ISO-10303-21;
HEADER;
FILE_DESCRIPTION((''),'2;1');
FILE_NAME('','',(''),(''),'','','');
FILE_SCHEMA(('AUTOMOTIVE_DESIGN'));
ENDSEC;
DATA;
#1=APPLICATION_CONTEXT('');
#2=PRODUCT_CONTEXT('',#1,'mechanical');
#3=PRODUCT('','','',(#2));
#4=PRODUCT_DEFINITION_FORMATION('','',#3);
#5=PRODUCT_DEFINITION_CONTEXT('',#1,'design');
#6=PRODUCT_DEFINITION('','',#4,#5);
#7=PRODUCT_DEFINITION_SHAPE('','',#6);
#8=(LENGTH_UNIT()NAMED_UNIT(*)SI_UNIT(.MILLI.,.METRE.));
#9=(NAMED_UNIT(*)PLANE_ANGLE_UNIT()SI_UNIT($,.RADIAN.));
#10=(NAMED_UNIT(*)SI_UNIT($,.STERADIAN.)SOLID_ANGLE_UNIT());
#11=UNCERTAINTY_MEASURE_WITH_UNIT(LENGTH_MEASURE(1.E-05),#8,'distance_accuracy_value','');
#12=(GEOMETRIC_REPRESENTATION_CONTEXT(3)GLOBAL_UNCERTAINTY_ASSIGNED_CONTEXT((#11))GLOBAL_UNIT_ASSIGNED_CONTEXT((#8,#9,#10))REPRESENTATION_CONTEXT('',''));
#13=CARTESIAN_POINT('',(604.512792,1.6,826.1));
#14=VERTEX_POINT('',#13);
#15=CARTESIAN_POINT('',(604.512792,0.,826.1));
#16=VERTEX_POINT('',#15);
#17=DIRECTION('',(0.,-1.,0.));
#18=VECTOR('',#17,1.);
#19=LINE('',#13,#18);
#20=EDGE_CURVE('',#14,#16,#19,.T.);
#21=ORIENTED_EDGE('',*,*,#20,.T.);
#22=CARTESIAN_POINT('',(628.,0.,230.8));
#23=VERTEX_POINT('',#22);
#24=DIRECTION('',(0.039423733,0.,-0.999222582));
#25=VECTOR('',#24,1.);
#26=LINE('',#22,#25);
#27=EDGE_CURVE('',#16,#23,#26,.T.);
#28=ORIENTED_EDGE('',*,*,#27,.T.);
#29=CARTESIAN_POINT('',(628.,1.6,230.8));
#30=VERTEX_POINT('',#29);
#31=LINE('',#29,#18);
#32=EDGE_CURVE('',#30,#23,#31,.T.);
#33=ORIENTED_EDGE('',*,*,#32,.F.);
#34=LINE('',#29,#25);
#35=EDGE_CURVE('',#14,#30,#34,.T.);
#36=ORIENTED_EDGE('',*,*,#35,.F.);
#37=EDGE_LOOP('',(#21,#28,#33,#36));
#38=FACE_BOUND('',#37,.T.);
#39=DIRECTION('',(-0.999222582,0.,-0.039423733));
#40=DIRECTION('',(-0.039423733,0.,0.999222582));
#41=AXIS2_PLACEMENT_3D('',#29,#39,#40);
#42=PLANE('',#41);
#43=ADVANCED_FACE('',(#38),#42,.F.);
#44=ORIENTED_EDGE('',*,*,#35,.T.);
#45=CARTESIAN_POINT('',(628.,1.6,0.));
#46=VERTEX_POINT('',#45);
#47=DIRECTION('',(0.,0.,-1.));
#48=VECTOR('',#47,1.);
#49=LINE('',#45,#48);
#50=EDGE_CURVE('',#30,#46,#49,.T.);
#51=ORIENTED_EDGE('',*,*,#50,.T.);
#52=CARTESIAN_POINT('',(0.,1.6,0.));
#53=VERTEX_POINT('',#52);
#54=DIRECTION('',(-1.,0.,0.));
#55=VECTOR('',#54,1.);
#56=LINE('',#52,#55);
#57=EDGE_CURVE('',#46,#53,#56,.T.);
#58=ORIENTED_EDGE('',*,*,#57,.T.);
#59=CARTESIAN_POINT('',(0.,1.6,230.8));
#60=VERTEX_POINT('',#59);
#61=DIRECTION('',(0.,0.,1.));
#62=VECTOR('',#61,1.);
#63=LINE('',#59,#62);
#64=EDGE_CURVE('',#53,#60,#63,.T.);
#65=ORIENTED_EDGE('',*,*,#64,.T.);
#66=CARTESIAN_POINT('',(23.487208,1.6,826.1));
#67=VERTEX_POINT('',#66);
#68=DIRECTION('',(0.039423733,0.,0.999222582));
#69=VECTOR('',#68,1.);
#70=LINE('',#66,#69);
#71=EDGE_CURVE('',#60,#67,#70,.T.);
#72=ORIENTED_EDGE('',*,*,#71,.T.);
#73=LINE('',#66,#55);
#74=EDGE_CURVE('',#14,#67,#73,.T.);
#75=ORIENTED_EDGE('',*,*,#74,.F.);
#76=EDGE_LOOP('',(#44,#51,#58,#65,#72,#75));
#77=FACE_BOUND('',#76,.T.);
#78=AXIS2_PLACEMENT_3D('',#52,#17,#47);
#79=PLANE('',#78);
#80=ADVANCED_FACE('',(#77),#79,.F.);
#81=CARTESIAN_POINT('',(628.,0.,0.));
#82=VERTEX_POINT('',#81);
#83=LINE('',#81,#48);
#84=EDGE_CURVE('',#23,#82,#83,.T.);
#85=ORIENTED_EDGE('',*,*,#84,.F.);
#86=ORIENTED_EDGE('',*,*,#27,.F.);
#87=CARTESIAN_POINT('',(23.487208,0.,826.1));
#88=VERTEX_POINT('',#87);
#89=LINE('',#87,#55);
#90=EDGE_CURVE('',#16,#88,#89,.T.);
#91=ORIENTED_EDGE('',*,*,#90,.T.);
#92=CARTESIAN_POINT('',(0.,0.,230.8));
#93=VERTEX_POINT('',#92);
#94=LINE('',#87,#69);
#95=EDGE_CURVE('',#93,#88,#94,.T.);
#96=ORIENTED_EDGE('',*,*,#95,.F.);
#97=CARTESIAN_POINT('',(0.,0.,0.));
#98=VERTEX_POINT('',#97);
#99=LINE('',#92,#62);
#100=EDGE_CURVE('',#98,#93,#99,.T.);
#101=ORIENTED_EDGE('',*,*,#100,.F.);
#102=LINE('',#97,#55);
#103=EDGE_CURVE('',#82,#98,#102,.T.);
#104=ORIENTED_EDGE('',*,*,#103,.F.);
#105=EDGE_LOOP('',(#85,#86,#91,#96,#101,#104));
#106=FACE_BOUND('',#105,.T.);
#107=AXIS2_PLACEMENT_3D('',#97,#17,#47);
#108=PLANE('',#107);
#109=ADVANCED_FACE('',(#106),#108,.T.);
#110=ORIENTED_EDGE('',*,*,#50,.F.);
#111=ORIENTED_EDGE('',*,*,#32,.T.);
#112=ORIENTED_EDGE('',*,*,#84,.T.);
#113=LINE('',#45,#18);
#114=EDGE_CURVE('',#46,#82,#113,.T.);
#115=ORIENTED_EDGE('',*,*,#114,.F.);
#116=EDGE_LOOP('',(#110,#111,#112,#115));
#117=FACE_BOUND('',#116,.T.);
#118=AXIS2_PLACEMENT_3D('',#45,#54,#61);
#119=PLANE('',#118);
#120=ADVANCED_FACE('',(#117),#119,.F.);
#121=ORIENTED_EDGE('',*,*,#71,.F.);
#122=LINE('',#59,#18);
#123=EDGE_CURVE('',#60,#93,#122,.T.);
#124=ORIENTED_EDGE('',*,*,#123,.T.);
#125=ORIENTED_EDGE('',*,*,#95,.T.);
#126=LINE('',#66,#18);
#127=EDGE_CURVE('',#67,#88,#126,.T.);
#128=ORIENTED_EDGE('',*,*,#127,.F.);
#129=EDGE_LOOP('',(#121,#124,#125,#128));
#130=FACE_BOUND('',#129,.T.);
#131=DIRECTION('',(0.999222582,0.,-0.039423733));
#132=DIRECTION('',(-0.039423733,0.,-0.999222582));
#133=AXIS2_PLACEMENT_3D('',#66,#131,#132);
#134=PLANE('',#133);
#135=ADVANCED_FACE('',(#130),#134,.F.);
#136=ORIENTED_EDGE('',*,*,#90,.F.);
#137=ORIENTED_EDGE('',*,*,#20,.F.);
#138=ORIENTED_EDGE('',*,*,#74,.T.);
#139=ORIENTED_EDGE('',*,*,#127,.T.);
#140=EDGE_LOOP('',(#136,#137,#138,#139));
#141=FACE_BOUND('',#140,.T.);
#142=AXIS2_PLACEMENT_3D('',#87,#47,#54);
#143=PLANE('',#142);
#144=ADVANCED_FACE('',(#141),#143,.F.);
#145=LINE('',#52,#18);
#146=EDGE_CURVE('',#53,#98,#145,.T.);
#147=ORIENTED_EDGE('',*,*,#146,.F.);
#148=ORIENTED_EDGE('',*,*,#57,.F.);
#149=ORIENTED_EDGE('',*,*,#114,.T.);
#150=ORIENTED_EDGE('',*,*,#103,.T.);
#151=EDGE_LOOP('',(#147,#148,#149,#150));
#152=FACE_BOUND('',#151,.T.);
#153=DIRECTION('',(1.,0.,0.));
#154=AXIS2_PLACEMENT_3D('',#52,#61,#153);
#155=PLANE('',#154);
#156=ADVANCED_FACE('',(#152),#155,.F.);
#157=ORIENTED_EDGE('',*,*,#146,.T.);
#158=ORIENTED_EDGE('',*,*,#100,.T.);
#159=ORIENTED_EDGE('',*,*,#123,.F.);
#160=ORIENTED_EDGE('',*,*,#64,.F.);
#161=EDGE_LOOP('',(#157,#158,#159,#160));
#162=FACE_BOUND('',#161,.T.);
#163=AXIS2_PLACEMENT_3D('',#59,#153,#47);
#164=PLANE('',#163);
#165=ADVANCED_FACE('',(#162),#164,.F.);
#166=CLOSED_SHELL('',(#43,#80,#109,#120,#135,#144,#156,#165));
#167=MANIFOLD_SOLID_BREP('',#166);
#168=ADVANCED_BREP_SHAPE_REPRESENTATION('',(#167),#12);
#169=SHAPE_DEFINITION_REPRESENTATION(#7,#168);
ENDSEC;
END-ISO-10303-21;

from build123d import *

# Parameters (mm, degrees)
BOSS_EXTRUDE3_DEPTH = 1.6
CUT_EXTRUDE3_DEPTH  = 1249.077106674


with BuildPart() as part:
    # Sketch5 → Boss-Extrude3 (new body)
    with BuildSketch(Plane(origin=(0, 0, 0), x_dir=(1, 0, 0), z_dir=(0, 1, 0))):
        Polygon((0, 0), (628, 0), (628, -230.8), (604.512792249, -826.1), (509.77, -1078.56845133), (118.23, -1078.56845133), (23.487207751, -826.1), (0, -230.8), align=None)
    extrude(amount=BOSS_EXTRUDE3_DEPTH)

    # Sketch6 → Cut-Extrude3 (cut, through all)
    with BuildSketch(Plane(origin=(0, 1.6, 0), x_dir=(1, 0, 0), z_dir=(0, 1, 0))):
        Polygon((23.487207751, -826.1), (604.512792249, -826.1), (509.77, -1078.56845133), (118.23, -1078.56845133), align=None)
    extrude(amount=-CUT_EXTRUDE3_DEPTH, mode=Mode.SUBTRACT)


solid = part.part
